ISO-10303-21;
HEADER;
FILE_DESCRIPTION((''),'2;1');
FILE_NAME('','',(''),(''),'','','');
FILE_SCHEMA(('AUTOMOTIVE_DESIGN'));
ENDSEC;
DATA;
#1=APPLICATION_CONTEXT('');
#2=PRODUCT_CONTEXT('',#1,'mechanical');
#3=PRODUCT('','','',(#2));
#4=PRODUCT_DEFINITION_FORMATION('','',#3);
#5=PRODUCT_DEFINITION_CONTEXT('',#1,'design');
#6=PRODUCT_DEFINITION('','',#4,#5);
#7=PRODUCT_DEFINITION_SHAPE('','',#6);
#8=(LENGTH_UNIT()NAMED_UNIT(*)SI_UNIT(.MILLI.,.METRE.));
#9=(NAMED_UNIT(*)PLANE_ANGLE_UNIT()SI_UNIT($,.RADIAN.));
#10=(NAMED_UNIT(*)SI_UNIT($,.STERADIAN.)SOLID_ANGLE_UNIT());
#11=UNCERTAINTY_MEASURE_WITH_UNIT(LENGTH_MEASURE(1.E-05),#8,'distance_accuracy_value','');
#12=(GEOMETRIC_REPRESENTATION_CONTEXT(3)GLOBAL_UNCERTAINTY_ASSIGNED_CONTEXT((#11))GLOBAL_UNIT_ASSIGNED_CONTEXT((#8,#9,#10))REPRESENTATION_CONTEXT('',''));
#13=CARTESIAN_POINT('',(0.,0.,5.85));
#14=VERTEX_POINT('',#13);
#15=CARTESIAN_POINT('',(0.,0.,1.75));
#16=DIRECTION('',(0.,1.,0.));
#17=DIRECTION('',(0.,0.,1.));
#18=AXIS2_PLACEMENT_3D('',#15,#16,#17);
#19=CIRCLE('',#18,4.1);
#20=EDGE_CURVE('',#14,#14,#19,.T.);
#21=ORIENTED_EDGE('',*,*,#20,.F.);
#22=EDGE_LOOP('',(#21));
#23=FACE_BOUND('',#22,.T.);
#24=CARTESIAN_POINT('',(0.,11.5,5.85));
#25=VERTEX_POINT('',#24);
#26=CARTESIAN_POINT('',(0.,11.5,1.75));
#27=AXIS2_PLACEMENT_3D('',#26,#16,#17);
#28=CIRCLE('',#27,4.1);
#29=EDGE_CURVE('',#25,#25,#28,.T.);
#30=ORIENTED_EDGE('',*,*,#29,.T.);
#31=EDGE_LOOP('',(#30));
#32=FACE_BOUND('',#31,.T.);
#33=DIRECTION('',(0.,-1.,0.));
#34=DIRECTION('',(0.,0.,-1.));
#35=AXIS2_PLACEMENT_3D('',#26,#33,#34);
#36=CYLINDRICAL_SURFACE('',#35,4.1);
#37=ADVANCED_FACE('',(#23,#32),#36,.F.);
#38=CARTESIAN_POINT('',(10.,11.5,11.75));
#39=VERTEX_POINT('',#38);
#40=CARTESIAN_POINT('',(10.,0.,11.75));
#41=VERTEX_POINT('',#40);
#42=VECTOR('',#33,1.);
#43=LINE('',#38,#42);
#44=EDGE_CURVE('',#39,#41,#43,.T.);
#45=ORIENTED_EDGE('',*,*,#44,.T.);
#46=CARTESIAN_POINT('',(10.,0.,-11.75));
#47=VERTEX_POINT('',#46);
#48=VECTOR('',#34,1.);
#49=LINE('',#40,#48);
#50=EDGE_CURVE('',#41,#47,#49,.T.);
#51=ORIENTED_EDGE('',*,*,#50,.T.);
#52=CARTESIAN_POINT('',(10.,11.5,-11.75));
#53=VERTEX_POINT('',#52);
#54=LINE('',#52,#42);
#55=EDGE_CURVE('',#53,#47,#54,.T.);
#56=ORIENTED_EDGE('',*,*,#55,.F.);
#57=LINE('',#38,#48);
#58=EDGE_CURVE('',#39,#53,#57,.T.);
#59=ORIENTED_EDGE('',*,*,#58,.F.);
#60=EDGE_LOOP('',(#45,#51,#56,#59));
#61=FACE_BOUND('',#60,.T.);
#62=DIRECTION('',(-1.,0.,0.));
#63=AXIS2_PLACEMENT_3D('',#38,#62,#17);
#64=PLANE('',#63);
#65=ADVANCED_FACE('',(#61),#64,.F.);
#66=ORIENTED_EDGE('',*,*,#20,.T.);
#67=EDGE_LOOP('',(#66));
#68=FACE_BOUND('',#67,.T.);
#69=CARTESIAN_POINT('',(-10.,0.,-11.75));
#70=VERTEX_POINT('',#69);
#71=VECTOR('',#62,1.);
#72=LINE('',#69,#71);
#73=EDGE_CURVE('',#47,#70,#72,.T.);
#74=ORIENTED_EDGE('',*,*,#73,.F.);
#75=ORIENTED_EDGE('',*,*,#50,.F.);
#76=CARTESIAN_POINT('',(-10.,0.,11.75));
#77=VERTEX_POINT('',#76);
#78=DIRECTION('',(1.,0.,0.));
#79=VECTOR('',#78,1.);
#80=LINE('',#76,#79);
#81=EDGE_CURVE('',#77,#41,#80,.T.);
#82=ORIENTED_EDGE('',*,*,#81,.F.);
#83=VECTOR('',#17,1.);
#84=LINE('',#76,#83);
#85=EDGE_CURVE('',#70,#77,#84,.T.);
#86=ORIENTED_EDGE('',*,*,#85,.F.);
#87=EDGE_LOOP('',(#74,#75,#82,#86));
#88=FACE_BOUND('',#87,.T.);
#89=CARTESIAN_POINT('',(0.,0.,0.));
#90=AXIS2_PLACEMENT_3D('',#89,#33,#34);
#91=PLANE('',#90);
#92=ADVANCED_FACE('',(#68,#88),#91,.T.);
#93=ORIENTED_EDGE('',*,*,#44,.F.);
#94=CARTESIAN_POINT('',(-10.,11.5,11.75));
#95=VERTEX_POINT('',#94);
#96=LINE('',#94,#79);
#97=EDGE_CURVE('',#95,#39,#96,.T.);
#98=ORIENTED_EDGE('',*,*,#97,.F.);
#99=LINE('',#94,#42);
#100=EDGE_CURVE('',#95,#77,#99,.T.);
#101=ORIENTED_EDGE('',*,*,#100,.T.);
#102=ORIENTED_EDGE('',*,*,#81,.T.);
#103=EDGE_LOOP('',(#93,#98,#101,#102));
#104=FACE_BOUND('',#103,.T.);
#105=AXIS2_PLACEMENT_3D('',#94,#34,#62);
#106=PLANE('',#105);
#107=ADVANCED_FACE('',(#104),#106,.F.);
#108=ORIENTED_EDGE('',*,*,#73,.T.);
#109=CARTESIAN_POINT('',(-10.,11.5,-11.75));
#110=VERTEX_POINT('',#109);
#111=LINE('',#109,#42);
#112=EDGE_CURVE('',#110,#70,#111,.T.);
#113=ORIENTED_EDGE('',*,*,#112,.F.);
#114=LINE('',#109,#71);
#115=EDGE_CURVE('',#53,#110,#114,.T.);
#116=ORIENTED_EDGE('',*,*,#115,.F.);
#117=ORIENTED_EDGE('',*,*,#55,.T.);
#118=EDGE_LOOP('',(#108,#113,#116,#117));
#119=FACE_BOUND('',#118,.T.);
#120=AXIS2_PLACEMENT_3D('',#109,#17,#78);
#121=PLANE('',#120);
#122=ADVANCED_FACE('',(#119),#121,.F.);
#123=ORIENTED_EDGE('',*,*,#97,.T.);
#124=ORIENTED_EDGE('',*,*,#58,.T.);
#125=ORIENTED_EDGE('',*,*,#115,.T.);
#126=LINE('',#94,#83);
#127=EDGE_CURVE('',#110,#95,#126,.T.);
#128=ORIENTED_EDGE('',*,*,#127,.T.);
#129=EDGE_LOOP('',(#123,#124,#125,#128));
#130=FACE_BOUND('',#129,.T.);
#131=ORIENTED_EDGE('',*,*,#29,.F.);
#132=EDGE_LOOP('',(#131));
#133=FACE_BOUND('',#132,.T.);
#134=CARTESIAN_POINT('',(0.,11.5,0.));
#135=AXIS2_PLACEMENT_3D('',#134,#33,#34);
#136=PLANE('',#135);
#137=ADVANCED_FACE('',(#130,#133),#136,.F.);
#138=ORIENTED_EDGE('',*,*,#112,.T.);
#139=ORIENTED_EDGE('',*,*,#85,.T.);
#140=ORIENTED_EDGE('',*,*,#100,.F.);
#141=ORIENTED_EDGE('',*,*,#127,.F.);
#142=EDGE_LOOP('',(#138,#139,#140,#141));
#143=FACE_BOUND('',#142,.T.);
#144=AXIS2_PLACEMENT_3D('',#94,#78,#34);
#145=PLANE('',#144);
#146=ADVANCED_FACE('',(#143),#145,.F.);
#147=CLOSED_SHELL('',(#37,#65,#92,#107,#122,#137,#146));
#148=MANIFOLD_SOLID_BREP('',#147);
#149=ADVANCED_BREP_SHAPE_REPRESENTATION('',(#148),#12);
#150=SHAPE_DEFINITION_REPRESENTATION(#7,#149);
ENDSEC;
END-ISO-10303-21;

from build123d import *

# Parameters (mm, degrees)
SKETCH1_W           = 20
SKETCH1_H           = 23.5
SKETCH1_R           = 4.1
BOSS_EXTRUDE1_DEPTH = 11.5


with BuildPart() as part:
    # Sketch1 → Boss-Extrude1 (new body)
    with BuildSketch(Plane(origin=(0, 0, 0), x_dir=(1, 0, 0), z_dir=(0, 1, 0))):
        Rectangle(SKETCH1_W, SKETCH1_H)
        with Locations(Location((0, -1.75, 0), (0, 0, 270))):
            Circle(SKETCH1_R, mode=Mode.SUBTRACT)
    extrude(amount=BOSS_EXTRUDE1_DEPTH)


solid = part.part
